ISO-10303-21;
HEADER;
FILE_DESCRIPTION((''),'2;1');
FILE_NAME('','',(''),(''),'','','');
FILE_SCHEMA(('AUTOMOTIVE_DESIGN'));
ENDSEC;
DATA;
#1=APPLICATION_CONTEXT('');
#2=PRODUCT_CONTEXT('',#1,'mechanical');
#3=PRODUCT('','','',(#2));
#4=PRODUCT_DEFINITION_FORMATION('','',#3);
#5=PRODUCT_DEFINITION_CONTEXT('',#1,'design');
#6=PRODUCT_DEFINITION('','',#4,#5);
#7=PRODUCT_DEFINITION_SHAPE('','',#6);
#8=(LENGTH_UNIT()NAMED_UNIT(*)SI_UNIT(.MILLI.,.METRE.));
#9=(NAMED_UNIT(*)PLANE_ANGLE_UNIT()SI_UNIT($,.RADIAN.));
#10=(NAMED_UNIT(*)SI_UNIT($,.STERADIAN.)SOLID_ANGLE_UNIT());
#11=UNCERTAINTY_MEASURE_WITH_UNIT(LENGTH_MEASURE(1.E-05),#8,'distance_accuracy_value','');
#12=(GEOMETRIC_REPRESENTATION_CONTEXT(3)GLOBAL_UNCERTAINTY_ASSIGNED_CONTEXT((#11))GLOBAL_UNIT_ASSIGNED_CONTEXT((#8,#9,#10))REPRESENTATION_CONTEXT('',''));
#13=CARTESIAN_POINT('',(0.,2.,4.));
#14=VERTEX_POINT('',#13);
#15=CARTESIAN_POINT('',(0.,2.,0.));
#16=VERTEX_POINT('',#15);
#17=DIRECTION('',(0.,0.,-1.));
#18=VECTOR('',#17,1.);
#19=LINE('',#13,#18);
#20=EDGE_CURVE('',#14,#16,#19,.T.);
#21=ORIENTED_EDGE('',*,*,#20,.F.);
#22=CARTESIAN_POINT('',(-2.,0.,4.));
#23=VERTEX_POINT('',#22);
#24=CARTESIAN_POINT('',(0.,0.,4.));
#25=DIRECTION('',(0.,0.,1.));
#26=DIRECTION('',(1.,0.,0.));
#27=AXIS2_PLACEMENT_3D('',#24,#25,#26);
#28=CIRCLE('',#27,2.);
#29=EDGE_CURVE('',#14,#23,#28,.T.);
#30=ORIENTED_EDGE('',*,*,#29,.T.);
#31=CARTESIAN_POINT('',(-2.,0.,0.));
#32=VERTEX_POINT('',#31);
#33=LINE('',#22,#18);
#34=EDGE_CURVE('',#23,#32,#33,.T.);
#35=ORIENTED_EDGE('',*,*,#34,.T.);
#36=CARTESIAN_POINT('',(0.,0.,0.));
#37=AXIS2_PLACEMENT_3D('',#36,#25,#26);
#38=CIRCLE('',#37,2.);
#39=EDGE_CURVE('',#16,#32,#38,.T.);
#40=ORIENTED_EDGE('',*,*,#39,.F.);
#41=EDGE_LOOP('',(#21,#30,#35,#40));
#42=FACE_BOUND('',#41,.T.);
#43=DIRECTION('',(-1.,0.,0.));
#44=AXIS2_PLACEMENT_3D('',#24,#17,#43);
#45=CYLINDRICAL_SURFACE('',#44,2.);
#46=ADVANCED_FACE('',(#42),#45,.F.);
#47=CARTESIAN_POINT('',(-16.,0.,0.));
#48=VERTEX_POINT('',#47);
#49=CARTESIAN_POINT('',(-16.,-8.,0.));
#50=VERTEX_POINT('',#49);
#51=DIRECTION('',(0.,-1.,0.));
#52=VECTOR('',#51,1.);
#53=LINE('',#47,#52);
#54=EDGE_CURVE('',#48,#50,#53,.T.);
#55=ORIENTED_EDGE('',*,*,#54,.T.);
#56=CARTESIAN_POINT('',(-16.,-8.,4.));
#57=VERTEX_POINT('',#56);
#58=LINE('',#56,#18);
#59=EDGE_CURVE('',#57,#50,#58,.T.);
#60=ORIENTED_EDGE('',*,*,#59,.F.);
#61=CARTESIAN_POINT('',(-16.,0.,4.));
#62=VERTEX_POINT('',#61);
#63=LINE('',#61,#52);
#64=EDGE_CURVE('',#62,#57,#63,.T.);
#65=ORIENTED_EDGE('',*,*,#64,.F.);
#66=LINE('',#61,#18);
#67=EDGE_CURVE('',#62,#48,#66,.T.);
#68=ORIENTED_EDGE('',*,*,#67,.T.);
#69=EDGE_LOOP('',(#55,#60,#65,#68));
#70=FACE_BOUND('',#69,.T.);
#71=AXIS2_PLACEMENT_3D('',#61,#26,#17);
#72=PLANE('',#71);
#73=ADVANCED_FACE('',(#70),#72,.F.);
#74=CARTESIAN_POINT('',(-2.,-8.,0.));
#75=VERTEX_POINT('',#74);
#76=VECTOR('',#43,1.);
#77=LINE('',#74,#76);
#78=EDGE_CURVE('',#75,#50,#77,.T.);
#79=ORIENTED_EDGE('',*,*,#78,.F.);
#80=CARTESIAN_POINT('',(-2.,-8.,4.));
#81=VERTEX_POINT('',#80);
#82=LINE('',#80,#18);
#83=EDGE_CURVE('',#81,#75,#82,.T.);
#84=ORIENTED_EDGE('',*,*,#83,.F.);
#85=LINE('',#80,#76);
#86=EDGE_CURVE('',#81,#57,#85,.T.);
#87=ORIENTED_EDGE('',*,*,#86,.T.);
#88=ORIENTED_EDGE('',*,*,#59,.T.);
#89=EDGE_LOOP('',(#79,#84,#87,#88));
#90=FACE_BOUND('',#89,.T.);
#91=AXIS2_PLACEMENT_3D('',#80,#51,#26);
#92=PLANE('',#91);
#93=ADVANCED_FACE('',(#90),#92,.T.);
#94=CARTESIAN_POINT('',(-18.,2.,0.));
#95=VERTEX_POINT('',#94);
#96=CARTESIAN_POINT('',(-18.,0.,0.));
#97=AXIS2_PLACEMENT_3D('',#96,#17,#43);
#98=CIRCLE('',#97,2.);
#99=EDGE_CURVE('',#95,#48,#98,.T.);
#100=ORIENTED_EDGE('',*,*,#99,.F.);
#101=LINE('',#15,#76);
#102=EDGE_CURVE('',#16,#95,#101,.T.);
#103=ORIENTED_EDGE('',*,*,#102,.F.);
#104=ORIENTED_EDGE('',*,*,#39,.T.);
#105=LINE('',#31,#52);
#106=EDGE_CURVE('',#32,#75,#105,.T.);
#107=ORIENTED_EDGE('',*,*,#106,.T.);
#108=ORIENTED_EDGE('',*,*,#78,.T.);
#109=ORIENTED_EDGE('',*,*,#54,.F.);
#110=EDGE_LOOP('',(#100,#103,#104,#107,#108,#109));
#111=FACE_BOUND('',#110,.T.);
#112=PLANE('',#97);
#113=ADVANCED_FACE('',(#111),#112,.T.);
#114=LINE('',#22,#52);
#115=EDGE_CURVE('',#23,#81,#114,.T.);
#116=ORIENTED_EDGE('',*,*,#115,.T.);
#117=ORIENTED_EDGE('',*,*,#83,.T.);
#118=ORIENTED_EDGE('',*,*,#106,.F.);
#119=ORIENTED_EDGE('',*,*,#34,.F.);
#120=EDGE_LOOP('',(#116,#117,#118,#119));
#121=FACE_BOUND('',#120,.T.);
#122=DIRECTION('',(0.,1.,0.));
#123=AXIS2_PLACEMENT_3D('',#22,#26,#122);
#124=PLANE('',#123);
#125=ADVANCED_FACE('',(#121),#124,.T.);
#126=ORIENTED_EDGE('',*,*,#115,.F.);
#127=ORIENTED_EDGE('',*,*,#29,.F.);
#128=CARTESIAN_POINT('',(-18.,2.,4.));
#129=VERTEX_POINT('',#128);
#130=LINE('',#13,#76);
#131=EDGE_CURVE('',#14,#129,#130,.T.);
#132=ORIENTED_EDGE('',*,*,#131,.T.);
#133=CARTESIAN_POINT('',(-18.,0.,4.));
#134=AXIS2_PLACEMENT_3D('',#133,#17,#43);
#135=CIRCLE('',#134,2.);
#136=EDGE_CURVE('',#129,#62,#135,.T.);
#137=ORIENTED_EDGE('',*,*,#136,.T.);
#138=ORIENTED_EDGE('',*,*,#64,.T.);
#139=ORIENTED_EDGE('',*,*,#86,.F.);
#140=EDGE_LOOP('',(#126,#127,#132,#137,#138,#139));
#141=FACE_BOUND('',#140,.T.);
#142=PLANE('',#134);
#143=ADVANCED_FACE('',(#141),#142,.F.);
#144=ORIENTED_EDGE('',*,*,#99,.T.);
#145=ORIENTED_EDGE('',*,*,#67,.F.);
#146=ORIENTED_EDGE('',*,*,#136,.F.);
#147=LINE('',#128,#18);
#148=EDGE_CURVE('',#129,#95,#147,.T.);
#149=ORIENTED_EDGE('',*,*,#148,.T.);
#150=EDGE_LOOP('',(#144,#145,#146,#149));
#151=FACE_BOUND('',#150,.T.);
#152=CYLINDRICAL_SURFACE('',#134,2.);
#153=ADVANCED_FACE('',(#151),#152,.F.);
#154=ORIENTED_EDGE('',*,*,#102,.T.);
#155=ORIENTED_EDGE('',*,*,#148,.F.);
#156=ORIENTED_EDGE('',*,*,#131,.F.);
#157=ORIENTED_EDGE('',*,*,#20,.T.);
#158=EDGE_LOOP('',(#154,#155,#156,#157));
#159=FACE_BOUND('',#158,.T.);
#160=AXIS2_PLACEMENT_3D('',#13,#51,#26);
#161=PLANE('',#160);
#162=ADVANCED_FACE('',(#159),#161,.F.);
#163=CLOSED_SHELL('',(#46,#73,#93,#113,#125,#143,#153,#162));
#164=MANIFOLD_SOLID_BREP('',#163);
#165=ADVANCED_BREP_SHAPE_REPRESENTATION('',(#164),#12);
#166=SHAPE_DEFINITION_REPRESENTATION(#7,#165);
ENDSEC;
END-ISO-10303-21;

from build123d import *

# Parameters (mm, degrees)
SALIENTE_EXTRUIR2_DEPTH = 4


with BuildPart() as part:
    # Croquis1 → Saliente-Extruir2 (new body)
    with BuildSketch(Plane.XY):
        with BuildLine():
            Line((-16, 0), (-16, -8))
            Line((-16, -8), (-2, -8))
            Line((-2, -8), (-2, 0))
            ThreePointArc((-2, 0), (-1.414213562, 1.414213562), (0, 2))
            Line((0, 2), (-18, 2))
            ThreePointArc((-18, 2), (-16.585786438, 1.414213562), (-16, 0))
        make_face()
    extrude(amount=SALIENTE_EXTRUIR2_DEPTH)


solid = part.part
